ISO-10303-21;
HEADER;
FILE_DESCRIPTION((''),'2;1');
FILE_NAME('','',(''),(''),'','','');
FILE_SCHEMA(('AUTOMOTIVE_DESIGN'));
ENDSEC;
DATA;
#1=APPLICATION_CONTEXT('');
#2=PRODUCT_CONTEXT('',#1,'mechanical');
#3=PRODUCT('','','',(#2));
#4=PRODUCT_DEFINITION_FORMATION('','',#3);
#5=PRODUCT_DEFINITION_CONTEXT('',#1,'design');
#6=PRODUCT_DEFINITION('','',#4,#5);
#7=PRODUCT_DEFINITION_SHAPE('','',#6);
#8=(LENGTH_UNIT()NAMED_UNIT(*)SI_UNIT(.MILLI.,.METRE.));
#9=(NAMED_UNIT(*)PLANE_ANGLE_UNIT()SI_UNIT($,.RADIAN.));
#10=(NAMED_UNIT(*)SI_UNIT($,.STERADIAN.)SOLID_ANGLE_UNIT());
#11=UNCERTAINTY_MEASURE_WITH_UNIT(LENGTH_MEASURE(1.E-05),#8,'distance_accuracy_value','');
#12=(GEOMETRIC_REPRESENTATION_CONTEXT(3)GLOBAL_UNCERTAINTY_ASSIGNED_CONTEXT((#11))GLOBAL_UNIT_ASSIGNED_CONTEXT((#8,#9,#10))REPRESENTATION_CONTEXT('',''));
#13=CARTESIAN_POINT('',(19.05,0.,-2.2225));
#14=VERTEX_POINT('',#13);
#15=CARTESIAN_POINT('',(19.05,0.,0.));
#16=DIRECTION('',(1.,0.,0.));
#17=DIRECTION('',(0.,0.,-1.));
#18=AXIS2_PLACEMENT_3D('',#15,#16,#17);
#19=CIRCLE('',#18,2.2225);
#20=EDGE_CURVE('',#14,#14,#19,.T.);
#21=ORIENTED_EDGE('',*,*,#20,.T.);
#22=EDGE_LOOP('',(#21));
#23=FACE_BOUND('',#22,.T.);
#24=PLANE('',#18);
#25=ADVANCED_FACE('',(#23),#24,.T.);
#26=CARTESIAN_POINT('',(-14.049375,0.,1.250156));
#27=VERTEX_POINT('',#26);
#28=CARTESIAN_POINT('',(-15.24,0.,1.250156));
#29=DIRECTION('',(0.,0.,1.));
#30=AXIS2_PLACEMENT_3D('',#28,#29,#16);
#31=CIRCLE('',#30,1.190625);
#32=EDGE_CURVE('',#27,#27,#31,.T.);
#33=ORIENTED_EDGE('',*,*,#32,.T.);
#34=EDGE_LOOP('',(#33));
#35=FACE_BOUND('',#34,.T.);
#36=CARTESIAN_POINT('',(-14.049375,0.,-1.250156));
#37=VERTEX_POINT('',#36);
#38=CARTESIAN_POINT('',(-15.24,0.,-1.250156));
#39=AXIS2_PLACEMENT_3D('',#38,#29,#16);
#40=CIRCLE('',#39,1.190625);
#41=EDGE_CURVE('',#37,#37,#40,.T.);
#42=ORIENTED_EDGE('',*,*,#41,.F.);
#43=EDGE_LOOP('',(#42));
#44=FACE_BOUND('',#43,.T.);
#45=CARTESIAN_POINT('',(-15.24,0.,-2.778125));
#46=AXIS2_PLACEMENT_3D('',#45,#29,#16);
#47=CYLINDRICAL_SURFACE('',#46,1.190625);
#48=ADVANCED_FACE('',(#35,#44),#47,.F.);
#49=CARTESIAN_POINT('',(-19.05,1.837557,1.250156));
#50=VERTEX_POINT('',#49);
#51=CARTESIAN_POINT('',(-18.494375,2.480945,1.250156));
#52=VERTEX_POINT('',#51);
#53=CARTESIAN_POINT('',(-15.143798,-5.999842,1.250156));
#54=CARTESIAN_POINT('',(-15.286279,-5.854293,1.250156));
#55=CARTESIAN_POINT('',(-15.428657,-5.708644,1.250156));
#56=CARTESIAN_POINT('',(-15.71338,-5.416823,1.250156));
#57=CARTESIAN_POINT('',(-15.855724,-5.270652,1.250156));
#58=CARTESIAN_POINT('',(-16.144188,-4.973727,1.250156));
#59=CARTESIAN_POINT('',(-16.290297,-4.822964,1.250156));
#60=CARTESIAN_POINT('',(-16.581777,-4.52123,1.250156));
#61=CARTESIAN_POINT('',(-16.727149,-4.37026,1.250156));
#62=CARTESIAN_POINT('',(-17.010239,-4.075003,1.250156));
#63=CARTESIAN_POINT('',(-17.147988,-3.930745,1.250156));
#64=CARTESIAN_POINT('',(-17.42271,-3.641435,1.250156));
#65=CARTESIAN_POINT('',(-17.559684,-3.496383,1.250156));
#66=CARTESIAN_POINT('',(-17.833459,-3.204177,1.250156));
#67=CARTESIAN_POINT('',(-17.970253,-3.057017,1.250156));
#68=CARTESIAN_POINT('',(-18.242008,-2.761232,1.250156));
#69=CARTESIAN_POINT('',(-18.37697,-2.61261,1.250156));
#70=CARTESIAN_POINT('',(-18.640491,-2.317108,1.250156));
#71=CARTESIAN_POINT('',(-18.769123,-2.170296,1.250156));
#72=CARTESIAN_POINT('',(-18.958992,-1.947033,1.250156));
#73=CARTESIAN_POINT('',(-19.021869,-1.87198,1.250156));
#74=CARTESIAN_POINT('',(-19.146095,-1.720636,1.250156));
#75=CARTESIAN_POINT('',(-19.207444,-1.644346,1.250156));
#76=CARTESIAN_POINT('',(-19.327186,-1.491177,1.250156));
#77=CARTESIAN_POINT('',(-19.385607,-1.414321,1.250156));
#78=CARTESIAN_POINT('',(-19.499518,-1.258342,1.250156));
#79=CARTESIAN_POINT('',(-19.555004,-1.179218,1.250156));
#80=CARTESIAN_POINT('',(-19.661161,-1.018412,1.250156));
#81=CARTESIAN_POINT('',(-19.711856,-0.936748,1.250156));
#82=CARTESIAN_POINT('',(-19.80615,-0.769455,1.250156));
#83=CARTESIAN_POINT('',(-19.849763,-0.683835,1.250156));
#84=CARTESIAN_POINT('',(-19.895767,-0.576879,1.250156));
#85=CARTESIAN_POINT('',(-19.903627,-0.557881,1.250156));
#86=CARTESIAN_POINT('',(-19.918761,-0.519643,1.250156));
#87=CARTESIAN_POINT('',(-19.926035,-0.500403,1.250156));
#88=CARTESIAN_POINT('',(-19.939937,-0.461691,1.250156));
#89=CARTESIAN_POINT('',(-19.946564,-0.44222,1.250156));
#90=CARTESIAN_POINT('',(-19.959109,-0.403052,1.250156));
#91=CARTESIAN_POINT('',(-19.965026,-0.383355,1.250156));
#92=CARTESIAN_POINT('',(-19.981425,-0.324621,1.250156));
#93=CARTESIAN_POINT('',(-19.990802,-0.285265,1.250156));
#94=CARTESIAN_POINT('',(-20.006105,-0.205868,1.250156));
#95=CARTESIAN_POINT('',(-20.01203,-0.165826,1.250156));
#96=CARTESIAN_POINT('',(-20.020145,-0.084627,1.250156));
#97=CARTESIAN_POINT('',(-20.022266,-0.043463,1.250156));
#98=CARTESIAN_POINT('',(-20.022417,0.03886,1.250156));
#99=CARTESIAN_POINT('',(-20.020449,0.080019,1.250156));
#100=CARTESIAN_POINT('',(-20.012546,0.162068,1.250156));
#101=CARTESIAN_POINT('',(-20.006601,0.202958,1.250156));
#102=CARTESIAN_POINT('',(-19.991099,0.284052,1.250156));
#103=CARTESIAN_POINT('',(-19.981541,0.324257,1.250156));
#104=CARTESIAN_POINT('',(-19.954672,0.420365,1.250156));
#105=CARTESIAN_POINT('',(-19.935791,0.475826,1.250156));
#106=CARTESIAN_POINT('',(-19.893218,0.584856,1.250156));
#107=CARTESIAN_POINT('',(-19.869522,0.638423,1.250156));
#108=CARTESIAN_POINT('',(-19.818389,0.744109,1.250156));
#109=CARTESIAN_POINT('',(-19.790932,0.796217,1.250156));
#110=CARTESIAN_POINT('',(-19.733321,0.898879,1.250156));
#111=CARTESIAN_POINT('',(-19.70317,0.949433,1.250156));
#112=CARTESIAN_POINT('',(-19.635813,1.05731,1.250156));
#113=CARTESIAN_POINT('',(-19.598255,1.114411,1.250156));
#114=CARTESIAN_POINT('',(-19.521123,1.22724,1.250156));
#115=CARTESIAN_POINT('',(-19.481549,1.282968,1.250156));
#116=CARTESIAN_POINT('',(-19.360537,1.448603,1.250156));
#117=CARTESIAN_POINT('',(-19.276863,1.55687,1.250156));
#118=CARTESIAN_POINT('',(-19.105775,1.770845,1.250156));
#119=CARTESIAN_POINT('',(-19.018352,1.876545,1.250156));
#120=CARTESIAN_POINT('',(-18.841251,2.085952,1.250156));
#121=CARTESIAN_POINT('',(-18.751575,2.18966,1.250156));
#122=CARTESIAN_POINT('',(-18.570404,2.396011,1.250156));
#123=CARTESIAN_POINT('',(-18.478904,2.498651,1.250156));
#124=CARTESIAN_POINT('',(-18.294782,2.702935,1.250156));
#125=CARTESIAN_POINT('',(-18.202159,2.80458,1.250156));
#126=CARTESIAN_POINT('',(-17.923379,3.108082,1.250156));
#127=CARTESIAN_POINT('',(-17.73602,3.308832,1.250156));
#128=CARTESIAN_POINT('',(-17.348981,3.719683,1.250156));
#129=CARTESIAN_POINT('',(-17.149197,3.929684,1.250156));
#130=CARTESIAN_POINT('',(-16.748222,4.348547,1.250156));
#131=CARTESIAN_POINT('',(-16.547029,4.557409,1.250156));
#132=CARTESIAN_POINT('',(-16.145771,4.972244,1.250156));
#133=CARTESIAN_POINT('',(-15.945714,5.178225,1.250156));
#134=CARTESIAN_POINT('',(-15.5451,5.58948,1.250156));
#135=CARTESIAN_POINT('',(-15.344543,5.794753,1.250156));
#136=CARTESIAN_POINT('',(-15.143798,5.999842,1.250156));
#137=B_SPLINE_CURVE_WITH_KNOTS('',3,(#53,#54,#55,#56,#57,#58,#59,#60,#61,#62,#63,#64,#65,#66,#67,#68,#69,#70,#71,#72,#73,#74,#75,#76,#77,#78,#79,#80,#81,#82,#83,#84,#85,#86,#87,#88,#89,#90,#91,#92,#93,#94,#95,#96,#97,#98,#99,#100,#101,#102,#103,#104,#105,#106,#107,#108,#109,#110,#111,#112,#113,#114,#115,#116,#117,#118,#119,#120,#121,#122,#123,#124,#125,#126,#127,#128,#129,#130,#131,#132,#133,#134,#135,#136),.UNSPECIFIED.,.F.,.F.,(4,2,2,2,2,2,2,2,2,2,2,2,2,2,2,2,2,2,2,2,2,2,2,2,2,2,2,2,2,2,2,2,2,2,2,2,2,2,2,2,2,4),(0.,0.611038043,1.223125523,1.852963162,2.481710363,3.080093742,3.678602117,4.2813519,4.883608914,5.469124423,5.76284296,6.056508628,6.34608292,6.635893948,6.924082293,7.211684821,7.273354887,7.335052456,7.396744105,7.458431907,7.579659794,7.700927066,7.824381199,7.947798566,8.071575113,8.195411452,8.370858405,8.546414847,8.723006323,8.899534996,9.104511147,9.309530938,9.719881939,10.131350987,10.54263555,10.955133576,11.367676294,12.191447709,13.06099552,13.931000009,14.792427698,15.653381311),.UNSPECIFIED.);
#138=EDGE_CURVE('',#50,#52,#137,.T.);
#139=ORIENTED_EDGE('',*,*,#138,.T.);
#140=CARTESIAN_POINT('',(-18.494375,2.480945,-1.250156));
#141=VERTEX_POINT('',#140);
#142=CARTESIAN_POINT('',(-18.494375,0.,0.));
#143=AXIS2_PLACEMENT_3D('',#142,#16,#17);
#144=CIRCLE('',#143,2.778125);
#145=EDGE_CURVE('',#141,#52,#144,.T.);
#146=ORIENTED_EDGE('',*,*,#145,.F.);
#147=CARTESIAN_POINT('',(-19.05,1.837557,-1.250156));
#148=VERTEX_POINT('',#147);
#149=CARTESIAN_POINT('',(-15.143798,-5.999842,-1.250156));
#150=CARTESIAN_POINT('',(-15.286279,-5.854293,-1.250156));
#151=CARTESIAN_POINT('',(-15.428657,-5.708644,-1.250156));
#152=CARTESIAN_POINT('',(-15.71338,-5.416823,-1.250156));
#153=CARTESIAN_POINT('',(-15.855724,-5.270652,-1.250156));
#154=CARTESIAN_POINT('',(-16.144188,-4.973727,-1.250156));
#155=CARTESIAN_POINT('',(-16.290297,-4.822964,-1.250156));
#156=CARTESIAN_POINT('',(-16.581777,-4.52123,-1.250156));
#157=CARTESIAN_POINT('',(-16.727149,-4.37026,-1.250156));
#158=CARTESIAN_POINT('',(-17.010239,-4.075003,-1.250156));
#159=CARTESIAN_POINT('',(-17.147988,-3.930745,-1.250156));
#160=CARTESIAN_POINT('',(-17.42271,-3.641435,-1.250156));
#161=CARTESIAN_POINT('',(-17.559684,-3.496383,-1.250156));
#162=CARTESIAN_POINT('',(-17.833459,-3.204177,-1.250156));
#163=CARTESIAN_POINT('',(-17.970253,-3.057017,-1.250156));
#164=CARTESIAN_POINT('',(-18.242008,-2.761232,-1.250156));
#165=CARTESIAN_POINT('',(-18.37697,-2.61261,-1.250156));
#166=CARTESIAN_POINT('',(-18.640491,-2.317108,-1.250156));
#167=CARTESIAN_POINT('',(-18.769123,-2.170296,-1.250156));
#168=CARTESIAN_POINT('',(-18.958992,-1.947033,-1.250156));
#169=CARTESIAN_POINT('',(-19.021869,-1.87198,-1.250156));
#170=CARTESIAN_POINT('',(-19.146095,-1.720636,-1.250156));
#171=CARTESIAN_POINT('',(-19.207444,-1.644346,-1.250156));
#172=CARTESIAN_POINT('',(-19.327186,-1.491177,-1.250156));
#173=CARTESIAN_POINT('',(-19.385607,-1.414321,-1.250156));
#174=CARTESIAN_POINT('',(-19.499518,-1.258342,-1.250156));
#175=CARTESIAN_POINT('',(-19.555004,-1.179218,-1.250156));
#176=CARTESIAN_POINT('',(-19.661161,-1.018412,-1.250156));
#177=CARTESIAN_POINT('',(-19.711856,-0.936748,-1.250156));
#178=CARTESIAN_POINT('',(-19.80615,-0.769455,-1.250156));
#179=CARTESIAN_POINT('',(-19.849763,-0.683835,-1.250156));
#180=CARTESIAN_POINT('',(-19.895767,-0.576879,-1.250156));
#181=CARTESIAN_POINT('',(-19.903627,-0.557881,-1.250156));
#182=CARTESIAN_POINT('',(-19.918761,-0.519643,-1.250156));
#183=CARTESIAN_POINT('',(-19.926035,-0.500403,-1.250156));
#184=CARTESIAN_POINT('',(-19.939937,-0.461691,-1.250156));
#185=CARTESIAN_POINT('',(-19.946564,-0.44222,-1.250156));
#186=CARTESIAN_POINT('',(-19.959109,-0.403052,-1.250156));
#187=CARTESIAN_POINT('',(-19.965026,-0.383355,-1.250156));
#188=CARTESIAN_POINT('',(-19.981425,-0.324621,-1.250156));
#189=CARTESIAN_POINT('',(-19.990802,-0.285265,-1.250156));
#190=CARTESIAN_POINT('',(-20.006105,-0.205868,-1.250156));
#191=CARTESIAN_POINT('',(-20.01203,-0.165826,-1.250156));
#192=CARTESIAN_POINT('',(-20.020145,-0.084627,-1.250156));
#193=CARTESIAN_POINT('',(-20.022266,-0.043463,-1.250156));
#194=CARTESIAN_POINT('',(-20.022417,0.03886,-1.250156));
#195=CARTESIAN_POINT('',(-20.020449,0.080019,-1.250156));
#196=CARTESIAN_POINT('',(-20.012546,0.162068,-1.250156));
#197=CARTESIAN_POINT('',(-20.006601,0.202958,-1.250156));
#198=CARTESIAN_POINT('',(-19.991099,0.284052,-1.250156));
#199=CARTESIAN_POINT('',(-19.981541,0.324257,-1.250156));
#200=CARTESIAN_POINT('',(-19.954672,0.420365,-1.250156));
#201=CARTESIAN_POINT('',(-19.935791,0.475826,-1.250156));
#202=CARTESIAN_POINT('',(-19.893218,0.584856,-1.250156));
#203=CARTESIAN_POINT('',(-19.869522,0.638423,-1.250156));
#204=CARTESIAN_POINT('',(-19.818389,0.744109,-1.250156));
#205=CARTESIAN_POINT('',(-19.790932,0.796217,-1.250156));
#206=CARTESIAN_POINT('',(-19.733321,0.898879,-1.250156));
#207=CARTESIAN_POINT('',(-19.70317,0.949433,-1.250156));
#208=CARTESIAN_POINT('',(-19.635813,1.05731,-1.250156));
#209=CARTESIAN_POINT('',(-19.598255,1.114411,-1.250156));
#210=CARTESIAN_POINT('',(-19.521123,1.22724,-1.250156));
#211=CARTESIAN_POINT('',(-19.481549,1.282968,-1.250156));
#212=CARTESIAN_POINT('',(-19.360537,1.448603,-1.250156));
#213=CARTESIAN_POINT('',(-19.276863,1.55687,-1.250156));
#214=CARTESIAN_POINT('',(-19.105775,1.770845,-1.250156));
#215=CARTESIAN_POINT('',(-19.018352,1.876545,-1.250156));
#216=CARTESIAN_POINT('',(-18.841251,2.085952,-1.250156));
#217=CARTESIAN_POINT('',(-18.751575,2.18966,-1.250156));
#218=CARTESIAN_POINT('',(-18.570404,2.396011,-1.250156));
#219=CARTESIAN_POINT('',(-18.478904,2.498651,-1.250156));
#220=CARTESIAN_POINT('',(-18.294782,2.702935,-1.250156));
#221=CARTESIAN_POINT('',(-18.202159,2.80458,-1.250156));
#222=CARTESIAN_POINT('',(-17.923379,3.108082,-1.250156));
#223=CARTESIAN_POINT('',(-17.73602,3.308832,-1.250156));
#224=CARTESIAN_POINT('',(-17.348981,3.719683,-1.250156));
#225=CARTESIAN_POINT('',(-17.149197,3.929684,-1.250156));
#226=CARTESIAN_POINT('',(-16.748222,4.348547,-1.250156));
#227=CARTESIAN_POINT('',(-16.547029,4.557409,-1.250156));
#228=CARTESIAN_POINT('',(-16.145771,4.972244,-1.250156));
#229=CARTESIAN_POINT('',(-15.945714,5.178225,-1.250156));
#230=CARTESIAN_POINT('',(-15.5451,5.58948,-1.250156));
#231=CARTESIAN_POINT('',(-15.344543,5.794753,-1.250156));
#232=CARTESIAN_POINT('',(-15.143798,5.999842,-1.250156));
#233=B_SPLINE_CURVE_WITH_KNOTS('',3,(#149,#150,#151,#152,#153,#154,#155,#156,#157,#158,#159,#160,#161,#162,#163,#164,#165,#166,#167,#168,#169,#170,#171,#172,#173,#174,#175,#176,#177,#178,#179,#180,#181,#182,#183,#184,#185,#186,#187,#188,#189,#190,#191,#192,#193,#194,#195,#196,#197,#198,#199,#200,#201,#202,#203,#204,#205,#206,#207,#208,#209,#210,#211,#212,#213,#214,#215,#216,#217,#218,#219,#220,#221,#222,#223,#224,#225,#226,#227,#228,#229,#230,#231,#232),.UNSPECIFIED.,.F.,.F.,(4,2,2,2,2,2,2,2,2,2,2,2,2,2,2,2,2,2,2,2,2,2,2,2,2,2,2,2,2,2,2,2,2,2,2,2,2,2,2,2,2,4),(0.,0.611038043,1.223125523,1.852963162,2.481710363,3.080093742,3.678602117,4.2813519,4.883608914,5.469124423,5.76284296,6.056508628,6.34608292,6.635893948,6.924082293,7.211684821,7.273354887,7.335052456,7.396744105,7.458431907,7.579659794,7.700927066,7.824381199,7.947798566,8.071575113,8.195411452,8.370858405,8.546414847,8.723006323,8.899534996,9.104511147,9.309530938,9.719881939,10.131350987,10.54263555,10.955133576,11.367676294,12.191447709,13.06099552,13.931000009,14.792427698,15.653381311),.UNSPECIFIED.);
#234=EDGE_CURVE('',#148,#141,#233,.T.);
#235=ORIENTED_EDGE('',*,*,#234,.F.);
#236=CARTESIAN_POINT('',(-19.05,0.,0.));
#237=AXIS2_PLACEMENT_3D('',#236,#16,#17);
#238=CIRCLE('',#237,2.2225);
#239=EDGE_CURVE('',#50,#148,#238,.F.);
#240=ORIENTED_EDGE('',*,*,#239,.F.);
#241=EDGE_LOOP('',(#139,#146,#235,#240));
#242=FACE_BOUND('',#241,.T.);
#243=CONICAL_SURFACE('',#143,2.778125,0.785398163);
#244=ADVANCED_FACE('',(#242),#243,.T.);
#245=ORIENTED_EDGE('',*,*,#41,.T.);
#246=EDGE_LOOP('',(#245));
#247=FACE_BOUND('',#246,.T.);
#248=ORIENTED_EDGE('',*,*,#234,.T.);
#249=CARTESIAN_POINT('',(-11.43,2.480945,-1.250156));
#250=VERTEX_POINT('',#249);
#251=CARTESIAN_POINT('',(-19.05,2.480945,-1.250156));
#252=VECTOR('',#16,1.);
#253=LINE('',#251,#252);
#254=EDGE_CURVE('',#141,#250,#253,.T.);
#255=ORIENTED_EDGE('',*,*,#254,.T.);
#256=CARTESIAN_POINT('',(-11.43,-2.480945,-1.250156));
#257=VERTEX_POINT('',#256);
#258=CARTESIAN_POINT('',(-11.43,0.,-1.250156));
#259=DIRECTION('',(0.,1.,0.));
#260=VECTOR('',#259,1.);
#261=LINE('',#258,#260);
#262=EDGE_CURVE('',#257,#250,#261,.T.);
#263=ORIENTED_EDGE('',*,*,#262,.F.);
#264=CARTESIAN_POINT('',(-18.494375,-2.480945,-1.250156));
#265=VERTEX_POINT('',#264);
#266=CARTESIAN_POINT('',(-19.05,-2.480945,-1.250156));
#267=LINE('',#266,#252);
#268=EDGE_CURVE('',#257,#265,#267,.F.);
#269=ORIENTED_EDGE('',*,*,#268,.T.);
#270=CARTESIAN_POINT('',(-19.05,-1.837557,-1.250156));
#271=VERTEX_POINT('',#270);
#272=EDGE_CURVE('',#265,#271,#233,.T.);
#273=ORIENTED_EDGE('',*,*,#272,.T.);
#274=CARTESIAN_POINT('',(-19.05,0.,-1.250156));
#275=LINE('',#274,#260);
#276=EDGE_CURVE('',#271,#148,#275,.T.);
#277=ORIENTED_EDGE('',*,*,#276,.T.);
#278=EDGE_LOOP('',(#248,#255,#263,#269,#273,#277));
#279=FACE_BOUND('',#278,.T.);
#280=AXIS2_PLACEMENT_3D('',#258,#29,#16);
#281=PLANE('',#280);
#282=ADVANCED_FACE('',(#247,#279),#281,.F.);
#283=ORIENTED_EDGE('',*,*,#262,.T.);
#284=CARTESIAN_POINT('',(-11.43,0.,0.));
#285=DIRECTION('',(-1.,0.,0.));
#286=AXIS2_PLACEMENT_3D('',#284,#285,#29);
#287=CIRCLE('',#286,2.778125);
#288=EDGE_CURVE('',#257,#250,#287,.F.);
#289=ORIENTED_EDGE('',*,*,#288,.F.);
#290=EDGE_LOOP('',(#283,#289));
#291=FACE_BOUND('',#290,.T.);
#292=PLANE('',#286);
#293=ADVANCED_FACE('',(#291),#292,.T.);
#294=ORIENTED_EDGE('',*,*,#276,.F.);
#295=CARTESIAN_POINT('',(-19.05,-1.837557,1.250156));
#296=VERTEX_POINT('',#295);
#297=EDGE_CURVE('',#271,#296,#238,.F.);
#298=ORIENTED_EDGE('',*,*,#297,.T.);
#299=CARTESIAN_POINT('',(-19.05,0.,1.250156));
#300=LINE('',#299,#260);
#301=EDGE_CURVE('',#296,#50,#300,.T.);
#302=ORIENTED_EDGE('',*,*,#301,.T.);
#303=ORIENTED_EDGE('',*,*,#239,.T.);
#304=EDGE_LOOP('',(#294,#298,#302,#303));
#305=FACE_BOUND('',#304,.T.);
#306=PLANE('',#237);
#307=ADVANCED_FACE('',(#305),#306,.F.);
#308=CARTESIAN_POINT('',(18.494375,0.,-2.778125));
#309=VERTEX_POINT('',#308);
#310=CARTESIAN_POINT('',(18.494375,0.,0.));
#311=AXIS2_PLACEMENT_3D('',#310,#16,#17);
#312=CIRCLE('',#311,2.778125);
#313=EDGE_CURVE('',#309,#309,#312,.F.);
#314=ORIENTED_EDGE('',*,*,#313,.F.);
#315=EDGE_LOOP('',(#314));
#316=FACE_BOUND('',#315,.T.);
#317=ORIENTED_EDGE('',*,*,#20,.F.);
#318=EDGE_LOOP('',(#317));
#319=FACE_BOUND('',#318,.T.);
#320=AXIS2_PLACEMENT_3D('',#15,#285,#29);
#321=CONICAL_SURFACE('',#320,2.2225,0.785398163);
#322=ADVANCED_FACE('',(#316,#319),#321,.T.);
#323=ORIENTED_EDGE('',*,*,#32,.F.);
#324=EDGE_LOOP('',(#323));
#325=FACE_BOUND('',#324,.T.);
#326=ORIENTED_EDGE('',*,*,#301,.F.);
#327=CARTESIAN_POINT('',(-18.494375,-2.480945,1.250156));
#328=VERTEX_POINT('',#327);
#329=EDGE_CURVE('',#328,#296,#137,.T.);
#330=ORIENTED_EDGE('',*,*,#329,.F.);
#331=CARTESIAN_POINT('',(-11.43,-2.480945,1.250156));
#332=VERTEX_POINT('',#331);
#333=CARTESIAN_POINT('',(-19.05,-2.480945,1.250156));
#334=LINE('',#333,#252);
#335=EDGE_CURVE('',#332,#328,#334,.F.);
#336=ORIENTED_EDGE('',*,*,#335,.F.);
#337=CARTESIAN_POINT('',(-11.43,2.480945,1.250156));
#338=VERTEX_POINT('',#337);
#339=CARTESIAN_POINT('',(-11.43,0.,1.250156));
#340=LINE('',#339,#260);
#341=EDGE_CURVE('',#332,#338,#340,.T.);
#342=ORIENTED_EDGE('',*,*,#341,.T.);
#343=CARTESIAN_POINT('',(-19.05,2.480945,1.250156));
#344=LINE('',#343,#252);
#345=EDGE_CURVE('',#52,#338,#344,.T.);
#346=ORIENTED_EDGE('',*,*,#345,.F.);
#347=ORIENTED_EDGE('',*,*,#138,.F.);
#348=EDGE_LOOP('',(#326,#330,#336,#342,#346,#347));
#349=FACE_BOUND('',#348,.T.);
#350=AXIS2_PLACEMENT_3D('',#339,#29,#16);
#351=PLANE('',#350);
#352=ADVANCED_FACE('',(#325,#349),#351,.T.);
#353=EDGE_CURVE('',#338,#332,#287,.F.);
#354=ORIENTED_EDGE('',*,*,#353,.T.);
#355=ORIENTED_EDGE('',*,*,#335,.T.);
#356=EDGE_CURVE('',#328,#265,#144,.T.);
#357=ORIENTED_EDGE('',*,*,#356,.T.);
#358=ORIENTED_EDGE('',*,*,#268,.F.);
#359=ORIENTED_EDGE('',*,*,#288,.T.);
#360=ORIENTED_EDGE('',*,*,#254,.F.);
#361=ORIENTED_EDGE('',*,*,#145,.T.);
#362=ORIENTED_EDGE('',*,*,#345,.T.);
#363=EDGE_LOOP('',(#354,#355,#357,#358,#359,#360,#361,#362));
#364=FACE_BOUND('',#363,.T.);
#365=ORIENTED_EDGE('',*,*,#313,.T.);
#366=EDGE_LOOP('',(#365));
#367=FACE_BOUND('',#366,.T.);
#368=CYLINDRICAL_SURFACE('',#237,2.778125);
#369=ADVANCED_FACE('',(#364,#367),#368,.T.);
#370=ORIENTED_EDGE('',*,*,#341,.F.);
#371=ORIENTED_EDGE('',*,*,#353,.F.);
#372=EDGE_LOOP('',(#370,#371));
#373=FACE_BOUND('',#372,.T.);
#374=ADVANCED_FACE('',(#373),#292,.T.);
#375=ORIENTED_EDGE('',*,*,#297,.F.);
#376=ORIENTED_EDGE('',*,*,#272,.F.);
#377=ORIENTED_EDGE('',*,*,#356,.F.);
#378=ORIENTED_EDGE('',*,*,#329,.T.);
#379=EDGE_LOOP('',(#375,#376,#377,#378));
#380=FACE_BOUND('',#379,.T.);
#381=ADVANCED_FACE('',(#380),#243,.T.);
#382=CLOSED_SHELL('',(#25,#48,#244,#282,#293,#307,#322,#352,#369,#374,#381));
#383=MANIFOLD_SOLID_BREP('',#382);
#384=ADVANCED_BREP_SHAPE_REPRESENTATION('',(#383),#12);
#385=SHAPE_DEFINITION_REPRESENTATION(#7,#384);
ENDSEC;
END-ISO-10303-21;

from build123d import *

# Parameters (mm, degrees)
SKETCH2_R           = 2.778125
EXTRUDE1_DEPTH      = 19.05
EXTRUDE1_DEPTH_BACK = 19.05
CHAMFER1_SIZE       = 0.555625
CUT_EXTRUDE1_DEPTH  = 7.62
SKETCH5_R           = 1.190625
CUT_EXTRUDE2_DEPTH  = 5.02828125


with BuildPart() as part:
    # Sketch2 → Extrude1 (new body, two sides)
    with BuildSketch(Plane(origin=(0, 0, 0), x_dir=(0, 0, -1), z_dir=(1, 0, 0))) as extrude1_sk:
        Circle(SKETCH2_R)
    extrude(amount=EXTRUDE1_DEPTH)
    extrude(extrude1_sk.sketch, amount=-EXTRUDE1_DEPTH_BACK)

    # Chamfer1
    chamfer1_edges = [part.edges().sort_by_distance(p)[0] for p in [
        (-19.05, 0, 2.778125),
        (19.05, 0, 2.778125),
    ]]
    chamfer(chamfer1_edges, length=CHAMFER1_SIZE)

    # Sketch3 → Cut-Extrude1 (cut)
    with BuildSketch(Plane.ZY.offset(19.05)):
        with BuildLine():
            Line((-3.175, 3.175), (-3.175, -3.175))
            Line((-3.175, -3.175), (-1.25015625, -3.175))
            Line((-1.25015625, -3.175), (-1.25015625, -1.837556965))
            ThreePointArc((-1.25015625, -1.837556965), (-2.2225, 0), (-1.25015625, 1.837556965))
            Line((-1.25015625, 1.837556965), (-1.25015625, 3.175))
            Line((-1.25015625, 3.175), (-3.175, 3.175))
        make_face()
        with BuildLine():
            Line((1.25015625, -1.837556965), (1.25015625, -3.175))
            Line((1.25015625, -3.175), (3.175, -3.175))
            Line((3.175, -3.175), (3.175, 3.175))
            Line((3.175, 3.175), (1.25015625, 3.175))
            Line((1.25015625, 3.175), (1.25015625, 1.837556965))
            ThreePointArc((1.25015625, 1.837556965), (1.964431026, 1.039479193), (2.2225, 0))
            ThreePointArc((2.2225, 0), (1.964431026, -1.039479193), (1.25015625, -1.837556965))
        make_face()
        with BuildLine():
            ThreePointArc((-1.25015625, 1.837556965), (-2.2225, 0), (-1.25015625, -1.837556965))
            Line((-1.25015625, -1.837556965), (-1.25015625, 1.837556965))
        make_face()
        with BuildLine():
            Line((1.25015625, 1.837556965), (1.25015625, -1.837556965))
            ThreePointArc((1.25015625, -1.837556965), (1.964431026, -1.039479193), (2.2225, 0))
            ThreePointArc((2.2225, 0), (1.964431026, 1.039479193), (1.25015625, 1.837556965))
        make_face()
    extrude(amount=-CUT_EXTRUDE1_DEPTH, mode=Mode.SUBTRACT)

    # Sketch5 → Cut-Extrude2 (cut, through all)
    with BuildSketch(Plane.XY.offset(1.25015625)):
        with Locations((-15.24, 0)):
            Circle(SKETCH5_R)
    extrude(amount=-CUT_EXTRUDE2_DEPTH, mode=Mode.SUBTRACT)


solid = part.part
